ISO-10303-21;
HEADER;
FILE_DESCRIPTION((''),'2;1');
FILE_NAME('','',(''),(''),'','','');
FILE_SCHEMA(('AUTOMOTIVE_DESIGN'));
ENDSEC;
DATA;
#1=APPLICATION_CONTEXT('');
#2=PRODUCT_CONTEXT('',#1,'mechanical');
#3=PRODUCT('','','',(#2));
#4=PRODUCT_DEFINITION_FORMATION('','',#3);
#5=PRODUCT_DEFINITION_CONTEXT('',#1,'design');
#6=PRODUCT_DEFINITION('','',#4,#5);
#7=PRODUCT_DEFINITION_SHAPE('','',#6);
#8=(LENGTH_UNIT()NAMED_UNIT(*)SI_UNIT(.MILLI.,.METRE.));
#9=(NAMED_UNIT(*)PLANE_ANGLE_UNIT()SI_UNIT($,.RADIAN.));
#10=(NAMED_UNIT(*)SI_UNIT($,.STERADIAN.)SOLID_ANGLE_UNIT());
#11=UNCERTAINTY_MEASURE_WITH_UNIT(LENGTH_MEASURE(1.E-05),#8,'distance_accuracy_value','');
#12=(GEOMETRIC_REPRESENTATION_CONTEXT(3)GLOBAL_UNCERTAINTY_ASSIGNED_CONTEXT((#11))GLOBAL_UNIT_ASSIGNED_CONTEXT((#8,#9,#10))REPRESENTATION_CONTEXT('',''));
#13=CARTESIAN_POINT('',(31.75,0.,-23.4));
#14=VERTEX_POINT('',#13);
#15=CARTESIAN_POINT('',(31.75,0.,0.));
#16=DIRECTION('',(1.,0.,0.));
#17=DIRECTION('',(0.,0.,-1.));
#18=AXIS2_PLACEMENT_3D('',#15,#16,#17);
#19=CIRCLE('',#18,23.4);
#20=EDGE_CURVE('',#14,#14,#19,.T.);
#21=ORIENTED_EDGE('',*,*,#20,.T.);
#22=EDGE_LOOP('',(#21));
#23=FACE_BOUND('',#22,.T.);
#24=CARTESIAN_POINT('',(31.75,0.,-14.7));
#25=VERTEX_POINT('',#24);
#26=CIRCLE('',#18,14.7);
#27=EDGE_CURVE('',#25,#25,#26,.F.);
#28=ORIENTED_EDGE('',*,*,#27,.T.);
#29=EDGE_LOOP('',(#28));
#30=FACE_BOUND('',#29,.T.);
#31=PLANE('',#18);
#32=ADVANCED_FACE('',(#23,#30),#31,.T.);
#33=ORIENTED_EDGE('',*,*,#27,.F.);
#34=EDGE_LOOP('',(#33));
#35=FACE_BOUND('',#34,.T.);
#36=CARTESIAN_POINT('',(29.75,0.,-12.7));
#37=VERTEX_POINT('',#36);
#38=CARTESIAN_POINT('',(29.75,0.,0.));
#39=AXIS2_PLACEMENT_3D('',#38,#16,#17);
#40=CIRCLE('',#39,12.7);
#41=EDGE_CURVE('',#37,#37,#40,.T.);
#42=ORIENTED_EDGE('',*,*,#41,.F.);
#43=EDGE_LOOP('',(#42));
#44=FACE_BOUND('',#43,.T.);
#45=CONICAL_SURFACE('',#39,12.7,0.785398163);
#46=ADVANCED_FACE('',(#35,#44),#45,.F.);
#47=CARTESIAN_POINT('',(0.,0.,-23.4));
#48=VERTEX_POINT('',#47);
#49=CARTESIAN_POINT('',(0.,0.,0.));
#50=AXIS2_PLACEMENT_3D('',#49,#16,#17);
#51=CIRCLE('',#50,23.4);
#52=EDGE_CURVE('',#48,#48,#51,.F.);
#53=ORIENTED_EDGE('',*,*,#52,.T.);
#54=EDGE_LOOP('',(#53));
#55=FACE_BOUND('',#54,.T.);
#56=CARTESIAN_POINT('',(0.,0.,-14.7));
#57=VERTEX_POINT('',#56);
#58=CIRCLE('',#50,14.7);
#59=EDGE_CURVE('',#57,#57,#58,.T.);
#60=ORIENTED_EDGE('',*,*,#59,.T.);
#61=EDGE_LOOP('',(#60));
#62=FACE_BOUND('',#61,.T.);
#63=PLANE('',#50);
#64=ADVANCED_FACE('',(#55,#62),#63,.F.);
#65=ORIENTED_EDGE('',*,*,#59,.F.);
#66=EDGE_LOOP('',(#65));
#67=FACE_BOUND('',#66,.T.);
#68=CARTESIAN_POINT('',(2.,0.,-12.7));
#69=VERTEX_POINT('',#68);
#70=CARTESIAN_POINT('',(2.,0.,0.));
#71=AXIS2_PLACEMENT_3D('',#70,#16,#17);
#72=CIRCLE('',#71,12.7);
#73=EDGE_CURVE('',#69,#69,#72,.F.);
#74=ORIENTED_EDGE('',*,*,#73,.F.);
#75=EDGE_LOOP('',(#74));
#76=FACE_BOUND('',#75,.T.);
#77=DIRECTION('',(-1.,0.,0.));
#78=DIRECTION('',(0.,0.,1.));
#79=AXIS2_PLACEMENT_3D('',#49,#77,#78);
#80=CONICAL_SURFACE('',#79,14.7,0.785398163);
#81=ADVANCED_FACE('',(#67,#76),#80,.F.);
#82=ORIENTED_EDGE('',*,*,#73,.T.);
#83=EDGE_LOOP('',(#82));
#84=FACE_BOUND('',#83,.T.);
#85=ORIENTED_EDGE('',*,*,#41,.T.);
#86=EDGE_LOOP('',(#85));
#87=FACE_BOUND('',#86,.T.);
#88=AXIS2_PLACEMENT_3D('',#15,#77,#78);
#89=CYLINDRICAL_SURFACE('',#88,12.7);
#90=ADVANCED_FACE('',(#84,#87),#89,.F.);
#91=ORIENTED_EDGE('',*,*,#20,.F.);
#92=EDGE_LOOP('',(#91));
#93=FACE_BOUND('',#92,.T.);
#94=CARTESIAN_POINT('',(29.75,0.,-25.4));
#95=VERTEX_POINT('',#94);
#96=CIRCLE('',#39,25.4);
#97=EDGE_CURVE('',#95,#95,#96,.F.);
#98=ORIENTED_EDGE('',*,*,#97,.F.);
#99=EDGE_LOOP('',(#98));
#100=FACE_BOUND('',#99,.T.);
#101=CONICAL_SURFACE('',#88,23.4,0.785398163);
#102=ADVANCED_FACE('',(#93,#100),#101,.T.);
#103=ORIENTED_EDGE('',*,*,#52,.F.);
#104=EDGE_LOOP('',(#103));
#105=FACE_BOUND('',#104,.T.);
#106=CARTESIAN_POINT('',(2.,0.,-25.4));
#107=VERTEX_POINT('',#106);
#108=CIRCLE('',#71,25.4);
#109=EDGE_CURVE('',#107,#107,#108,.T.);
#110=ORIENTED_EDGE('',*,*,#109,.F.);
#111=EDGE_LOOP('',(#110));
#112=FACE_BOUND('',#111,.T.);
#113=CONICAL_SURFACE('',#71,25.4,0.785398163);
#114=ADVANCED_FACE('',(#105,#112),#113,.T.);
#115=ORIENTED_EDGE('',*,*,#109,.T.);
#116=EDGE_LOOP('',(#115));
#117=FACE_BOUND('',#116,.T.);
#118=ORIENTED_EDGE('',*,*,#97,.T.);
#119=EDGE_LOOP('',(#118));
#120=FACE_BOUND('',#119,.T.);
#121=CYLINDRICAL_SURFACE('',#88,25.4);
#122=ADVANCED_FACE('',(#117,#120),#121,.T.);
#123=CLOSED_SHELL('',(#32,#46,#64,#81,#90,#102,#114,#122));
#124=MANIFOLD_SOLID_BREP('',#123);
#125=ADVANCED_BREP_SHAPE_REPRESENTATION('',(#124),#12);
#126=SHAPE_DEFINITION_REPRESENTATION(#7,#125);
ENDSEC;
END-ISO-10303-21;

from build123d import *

# Parameters (mm, degrees)
SKETCH1_R           = 25.4
SKETCH1_R_2         = 12.7
BOSS_EXTRUDE1_DEPTH = 31.75
CHAMFER1_SIZE       = 2


with BuildPart() as part:
    # Sketch1 → Boss-Extrude1 (new body)
    with BuildSketch(Plane(origin=(0, 0, 0), x_dir=(0, 0, -1), z_dir=(1, 0, 0))):
        Circle(SKETCH1_R)
        Circle(SKETCH1_R_2, mode=Mode.SUBTRACT)
    extrude(amount=BOSS_EXTRUDE1_DEPTH)

    # Chamfer1
    chamfer1_edges = [part.edges().sort_by_distance(p)[0] for p in [
        (0, 0, 25.4),
        (31.75, 0, 25.4),
        (0, 0, 12.7),
        (31.75, 0, 12.7),
    ]]
    chamfer(chamfer1_edges, length=CHAMFER1_SIZE)


solid = part.part
